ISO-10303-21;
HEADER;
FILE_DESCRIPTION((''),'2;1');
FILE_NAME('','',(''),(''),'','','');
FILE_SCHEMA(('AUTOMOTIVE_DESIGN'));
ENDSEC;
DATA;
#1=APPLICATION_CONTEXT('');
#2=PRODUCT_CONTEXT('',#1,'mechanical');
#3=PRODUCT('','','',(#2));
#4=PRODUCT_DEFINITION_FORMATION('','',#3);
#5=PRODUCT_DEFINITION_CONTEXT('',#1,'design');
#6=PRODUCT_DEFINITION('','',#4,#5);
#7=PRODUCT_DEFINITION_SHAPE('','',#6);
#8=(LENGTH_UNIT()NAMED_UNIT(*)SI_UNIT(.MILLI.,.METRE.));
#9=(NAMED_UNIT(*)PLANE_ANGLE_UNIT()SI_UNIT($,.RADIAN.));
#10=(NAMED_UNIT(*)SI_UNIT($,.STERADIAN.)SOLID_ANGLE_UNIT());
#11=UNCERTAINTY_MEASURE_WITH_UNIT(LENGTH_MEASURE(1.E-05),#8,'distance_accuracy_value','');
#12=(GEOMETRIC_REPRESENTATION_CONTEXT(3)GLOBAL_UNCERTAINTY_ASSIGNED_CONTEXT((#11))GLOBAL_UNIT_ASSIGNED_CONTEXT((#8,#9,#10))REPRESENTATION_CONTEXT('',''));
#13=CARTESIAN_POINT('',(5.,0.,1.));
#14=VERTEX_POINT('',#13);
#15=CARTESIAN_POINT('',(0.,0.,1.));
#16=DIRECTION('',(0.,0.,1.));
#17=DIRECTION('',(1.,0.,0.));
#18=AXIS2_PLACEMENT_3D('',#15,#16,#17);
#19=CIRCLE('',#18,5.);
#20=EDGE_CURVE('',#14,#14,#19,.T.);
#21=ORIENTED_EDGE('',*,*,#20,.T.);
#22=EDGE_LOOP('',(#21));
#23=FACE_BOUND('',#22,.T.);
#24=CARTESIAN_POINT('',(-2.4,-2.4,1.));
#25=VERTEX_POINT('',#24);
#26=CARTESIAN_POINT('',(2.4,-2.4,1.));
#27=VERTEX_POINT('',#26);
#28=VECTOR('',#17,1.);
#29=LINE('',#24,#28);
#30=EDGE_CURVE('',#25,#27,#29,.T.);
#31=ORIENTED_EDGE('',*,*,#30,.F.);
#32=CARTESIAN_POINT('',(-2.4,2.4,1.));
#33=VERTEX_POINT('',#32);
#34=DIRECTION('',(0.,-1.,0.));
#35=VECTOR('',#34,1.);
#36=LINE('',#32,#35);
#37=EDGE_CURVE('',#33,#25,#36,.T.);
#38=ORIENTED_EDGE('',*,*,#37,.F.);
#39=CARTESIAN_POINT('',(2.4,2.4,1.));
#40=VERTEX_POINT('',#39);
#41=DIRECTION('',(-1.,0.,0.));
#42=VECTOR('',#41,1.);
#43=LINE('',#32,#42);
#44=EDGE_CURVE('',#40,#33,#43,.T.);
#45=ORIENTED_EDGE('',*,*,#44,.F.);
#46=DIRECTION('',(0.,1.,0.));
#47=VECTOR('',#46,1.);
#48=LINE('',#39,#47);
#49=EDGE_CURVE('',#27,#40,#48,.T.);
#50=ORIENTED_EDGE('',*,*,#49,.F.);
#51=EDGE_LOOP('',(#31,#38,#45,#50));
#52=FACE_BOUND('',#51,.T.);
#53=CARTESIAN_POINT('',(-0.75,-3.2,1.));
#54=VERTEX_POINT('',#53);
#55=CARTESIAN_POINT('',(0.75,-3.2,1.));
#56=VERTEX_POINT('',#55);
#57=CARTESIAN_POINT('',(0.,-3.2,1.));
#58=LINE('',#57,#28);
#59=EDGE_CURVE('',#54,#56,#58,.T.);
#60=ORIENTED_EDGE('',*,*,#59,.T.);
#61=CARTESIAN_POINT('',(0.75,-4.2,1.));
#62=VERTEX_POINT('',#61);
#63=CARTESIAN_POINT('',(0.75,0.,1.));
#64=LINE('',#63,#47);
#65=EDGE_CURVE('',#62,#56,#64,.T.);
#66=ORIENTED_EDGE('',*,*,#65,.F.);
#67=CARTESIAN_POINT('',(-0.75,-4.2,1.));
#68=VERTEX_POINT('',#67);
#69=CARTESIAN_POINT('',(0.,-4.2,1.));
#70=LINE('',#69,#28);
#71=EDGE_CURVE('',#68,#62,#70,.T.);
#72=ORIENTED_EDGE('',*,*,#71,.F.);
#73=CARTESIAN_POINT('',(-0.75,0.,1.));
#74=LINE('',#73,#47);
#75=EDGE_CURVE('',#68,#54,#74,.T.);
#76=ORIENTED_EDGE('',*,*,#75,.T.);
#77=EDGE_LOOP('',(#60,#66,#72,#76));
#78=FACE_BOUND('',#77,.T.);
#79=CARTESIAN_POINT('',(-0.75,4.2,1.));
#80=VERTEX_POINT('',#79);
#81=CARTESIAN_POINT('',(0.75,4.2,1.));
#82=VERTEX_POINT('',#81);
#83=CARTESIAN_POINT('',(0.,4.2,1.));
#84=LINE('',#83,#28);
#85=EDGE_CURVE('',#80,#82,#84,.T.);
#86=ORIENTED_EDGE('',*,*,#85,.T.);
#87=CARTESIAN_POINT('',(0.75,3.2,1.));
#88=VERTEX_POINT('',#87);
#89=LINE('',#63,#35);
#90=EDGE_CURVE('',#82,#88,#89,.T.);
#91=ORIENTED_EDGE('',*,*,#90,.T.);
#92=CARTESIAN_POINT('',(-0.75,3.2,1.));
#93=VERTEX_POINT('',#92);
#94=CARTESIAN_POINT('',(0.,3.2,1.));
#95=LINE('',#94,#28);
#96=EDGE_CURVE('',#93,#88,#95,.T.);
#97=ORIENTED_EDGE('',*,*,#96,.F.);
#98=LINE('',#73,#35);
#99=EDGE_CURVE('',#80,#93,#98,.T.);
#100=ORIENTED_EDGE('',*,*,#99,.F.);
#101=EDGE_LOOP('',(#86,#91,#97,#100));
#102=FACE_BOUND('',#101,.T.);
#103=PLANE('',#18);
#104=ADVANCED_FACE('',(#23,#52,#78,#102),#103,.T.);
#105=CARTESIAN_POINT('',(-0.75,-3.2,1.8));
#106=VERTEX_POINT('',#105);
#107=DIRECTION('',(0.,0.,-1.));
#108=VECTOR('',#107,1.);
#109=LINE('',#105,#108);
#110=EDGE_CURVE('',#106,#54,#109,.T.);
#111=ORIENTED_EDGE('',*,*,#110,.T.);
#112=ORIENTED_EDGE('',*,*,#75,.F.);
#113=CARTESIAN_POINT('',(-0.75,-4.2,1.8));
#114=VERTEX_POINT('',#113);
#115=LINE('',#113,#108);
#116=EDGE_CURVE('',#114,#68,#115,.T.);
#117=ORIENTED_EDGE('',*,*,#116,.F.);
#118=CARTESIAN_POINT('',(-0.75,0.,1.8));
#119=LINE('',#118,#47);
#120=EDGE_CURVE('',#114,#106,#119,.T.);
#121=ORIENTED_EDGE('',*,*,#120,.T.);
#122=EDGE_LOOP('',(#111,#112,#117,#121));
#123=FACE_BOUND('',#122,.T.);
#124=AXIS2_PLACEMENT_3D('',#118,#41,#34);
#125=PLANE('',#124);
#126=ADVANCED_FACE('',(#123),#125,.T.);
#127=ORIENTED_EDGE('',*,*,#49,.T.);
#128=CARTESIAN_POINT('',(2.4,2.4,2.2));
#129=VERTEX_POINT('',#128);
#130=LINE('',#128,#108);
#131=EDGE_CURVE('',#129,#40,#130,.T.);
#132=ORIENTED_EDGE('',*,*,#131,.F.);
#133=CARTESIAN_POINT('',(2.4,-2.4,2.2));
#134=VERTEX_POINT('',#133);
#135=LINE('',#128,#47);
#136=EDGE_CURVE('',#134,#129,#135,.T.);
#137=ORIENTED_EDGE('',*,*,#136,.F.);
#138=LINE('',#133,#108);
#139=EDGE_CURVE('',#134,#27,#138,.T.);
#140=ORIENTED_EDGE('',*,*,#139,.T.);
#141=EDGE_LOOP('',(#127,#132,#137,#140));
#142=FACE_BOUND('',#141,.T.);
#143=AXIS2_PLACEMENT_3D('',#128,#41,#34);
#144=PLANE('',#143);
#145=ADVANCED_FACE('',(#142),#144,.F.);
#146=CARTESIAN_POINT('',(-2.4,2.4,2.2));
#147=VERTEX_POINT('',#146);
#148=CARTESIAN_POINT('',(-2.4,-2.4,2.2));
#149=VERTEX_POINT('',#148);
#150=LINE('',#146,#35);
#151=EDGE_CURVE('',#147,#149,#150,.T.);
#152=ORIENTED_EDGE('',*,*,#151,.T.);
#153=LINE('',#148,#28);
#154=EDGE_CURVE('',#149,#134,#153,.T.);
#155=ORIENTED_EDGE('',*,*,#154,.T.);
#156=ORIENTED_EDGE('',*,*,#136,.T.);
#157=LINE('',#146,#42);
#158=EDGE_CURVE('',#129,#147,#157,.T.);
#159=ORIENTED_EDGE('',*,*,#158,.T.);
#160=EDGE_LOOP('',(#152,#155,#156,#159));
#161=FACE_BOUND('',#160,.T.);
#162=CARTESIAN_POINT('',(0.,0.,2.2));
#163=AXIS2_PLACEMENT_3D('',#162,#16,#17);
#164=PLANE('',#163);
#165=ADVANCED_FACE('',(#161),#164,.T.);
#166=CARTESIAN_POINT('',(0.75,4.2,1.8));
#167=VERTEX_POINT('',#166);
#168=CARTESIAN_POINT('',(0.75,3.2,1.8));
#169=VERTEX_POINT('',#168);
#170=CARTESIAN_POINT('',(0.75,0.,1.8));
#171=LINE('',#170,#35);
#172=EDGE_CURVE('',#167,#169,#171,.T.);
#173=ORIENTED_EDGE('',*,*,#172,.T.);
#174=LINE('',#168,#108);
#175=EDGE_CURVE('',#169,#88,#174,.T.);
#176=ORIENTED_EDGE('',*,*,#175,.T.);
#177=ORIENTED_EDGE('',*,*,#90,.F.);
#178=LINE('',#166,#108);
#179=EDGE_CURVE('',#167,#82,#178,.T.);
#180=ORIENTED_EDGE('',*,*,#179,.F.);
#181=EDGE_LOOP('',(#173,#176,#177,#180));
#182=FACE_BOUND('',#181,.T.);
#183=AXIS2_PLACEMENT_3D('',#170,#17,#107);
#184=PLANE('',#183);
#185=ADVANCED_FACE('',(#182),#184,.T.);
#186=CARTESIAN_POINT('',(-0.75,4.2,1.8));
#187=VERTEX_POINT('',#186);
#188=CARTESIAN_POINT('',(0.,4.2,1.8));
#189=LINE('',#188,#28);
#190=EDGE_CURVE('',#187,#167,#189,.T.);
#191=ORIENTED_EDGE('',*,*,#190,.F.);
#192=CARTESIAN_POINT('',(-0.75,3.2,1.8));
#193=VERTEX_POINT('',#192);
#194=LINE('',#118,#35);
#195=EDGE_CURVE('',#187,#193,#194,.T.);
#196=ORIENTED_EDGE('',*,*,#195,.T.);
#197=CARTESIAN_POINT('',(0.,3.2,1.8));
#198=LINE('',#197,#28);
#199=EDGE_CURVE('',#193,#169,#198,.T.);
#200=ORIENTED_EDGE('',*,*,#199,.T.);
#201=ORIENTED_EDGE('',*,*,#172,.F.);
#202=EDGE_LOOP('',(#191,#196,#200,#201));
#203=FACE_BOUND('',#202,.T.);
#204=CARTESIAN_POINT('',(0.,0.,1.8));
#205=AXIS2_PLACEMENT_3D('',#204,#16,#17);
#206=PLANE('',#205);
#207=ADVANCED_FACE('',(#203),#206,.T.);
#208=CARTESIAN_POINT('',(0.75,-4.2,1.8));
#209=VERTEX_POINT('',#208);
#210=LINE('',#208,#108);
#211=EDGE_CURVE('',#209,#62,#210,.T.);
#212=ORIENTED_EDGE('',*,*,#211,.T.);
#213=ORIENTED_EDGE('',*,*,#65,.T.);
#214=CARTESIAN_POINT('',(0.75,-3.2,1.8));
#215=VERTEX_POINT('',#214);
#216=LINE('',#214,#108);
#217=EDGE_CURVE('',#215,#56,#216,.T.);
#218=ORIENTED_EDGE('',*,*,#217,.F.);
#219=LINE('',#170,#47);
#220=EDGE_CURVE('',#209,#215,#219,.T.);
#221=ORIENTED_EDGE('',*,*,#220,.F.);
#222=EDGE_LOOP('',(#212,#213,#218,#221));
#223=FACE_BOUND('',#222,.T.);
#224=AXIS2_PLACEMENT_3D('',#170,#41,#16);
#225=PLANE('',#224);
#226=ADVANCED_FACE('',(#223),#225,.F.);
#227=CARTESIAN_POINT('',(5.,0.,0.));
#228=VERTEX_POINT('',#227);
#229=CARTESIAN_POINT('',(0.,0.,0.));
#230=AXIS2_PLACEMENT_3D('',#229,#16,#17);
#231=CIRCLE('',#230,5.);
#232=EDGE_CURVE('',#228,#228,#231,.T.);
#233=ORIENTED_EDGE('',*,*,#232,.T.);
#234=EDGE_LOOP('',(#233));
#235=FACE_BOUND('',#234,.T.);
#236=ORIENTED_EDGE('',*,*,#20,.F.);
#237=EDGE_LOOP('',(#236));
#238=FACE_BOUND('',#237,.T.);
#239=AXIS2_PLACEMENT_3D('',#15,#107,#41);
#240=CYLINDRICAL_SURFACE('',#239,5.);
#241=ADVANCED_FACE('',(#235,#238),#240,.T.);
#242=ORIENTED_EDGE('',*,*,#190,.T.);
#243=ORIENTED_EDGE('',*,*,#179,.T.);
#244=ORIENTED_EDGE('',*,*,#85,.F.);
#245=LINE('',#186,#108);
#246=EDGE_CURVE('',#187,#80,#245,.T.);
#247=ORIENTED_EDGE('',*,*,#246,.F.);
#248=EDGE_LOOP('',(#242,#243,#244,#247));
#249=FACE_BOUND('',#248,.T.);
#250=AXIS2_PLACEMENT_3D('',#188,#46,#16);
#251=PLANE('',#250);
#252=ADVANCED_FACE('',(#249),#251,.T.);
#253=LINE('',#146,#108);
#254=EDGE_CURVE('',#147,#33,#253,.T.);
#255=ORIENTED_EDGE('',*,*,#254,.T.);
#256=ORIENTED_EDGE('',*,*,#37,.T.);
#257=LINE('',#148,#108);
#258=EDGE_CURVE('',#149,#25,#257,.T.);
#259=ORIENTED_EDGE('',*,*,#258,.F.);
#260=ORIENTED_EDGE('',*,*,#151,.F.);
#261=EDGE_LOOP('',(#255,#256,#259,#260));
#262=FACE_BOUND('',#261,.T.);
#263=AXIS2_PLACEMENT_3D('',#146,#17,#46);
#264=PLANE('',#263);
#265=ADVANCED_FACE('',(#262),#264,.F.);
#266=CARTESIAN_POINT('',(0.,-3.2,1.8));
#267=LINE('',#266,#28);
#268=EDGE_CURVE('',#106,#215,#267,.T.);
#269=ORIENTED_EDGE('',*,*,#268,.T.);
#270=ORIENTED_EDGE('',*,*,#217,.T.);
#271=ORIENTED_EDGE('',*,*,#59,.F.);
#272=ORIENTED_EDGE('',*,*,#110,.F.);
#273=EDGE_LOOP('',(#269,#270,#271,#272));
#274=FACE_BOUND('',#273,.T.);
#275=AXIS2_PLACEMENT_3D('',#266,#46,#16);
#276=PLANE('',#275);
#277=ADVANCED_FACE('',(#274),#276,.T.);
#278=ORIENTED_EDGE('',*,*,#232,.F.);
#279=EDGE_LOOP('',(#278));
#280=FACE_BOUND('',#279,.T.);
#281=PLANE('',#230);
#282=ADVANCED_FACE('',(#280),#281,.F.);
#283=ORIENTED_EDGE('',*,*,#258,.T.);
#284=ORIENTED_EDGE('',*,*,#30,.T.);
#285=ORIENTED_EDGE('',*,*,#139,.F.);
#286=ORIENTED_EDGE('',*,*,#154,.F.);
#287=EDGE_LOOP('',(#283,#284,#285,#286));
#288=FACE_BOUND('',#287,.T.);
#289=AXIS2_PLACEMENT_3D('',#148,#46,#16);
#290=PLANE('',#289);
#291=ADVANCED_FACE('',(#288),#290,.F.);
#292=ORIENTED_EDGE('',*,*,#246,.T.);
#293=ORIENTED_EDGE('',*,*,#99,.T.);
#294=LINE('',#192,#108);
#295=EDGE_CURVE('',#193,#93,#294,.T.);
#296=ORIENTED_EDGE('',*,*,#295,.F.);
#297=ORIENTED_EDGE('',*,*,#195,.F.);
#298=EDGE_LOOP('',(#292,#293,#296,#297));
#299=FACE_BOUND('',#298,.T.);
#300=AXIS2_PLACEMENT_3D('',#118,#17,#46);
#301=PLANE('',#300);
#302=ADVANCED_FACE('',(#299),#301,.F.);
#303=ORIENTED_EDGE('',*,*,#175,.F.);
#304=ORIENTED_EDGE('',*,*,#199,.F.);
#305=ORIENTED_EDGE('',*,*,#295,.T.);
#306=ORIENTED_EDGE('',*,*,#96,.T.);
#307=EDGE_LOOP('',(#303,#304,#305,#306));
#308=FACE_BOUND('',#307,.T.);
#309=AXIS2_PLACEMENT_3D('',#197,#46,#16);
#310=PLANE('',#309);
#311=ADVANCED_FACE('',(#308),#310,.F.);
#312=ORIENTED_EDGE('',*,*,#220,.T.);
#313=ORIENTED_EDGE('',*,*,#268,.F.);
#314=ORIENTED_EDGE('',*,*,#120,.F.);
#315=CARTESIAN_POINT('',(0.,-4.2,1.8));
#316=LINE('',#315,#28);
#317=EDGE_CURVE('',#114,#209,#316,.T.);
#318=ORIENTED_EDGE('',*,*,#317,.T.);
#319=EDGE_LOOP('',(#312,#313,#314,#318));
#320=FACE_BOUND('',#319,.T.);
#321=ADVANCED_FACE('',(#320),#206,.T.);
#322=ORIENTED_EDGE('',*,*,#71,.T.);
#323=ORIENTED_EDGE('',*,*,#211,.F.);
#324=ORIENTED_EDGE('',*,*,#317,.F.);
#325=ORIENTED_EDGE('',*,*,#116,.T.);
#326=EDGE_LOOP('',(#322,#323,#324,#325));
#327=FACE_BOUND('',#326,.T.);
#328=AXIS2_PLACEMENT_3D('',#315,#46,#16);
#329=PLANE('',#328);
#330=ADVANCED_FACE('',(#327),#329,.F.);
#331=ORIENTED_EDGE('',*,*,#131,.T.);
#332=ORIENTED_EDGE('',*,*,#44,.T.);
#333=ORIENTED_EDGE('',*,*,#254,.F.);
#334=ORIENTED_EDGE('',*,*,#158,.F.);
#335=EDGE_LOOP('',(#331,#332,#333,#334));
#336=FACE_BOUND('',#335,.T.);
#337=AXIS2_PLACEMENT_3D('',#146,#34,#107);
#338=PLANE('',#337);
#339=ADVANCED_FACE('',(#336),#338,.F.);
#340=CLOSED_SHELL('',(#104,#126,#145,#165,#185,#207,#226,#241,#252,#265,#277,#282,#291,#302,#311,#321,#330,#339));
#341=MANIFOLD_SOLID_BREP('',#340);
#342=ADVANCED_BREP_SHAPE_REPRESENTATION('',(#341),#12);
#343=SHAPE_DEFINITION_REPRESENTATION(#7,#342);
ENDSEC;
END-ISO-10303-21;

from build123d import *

# Parameters (mm, degrees)
SKETCH1_R           = 5
BOSS_EXTRUDE1_DEPTH = 1
SKETCH2_W           = 4.8
SKETCH2_H           = 4.8
BOSS_EXTRUDE2_DEPTH = 1.2
SKETCH3_W           = 1.5
SKETCH3_H           = 1
SKETCH3_W_2         = 0.75
BOSS_EXTRUDE3_DEPTH = 0.8


with BuildPart() as part:
    # Sketch1 → Boss-Extrude1 (new body)
    with BuildSketch(Plane.XY):
        Circle(SKETCH1_R)
    extrude(amount=BOSS_EXTRUDE1_DEPTH)

    # Sketch2 → Boss-Extrude2 (add)
    with BuildSketch(Plane.XY.offset(1)):
        Rectangle(SKETCH2_W, SKETCH2_H)
    extrude(amount=BOSS_EXTRUDE2_DEPTH)

    # Sketch3 → Boss-Extrude3 (add)
    with BuildSketch(Plane.XY.offset(1)):
        with Locations((0, -3.7)):
            Rectangle(SKETCH3_W, SKETCH3_H)
        with Locations((0.375, 3.7)):
            Rectangle(SKETCH3_W_2, SKETCH3_H)
        with Locations((-0.375, 3.7)):
            Rectangle(SKETCH3_W_2, SKETCH3_H)
    extrude(amount=BOSS_EXTRUDE3_DEPTH)


solid = part.part
